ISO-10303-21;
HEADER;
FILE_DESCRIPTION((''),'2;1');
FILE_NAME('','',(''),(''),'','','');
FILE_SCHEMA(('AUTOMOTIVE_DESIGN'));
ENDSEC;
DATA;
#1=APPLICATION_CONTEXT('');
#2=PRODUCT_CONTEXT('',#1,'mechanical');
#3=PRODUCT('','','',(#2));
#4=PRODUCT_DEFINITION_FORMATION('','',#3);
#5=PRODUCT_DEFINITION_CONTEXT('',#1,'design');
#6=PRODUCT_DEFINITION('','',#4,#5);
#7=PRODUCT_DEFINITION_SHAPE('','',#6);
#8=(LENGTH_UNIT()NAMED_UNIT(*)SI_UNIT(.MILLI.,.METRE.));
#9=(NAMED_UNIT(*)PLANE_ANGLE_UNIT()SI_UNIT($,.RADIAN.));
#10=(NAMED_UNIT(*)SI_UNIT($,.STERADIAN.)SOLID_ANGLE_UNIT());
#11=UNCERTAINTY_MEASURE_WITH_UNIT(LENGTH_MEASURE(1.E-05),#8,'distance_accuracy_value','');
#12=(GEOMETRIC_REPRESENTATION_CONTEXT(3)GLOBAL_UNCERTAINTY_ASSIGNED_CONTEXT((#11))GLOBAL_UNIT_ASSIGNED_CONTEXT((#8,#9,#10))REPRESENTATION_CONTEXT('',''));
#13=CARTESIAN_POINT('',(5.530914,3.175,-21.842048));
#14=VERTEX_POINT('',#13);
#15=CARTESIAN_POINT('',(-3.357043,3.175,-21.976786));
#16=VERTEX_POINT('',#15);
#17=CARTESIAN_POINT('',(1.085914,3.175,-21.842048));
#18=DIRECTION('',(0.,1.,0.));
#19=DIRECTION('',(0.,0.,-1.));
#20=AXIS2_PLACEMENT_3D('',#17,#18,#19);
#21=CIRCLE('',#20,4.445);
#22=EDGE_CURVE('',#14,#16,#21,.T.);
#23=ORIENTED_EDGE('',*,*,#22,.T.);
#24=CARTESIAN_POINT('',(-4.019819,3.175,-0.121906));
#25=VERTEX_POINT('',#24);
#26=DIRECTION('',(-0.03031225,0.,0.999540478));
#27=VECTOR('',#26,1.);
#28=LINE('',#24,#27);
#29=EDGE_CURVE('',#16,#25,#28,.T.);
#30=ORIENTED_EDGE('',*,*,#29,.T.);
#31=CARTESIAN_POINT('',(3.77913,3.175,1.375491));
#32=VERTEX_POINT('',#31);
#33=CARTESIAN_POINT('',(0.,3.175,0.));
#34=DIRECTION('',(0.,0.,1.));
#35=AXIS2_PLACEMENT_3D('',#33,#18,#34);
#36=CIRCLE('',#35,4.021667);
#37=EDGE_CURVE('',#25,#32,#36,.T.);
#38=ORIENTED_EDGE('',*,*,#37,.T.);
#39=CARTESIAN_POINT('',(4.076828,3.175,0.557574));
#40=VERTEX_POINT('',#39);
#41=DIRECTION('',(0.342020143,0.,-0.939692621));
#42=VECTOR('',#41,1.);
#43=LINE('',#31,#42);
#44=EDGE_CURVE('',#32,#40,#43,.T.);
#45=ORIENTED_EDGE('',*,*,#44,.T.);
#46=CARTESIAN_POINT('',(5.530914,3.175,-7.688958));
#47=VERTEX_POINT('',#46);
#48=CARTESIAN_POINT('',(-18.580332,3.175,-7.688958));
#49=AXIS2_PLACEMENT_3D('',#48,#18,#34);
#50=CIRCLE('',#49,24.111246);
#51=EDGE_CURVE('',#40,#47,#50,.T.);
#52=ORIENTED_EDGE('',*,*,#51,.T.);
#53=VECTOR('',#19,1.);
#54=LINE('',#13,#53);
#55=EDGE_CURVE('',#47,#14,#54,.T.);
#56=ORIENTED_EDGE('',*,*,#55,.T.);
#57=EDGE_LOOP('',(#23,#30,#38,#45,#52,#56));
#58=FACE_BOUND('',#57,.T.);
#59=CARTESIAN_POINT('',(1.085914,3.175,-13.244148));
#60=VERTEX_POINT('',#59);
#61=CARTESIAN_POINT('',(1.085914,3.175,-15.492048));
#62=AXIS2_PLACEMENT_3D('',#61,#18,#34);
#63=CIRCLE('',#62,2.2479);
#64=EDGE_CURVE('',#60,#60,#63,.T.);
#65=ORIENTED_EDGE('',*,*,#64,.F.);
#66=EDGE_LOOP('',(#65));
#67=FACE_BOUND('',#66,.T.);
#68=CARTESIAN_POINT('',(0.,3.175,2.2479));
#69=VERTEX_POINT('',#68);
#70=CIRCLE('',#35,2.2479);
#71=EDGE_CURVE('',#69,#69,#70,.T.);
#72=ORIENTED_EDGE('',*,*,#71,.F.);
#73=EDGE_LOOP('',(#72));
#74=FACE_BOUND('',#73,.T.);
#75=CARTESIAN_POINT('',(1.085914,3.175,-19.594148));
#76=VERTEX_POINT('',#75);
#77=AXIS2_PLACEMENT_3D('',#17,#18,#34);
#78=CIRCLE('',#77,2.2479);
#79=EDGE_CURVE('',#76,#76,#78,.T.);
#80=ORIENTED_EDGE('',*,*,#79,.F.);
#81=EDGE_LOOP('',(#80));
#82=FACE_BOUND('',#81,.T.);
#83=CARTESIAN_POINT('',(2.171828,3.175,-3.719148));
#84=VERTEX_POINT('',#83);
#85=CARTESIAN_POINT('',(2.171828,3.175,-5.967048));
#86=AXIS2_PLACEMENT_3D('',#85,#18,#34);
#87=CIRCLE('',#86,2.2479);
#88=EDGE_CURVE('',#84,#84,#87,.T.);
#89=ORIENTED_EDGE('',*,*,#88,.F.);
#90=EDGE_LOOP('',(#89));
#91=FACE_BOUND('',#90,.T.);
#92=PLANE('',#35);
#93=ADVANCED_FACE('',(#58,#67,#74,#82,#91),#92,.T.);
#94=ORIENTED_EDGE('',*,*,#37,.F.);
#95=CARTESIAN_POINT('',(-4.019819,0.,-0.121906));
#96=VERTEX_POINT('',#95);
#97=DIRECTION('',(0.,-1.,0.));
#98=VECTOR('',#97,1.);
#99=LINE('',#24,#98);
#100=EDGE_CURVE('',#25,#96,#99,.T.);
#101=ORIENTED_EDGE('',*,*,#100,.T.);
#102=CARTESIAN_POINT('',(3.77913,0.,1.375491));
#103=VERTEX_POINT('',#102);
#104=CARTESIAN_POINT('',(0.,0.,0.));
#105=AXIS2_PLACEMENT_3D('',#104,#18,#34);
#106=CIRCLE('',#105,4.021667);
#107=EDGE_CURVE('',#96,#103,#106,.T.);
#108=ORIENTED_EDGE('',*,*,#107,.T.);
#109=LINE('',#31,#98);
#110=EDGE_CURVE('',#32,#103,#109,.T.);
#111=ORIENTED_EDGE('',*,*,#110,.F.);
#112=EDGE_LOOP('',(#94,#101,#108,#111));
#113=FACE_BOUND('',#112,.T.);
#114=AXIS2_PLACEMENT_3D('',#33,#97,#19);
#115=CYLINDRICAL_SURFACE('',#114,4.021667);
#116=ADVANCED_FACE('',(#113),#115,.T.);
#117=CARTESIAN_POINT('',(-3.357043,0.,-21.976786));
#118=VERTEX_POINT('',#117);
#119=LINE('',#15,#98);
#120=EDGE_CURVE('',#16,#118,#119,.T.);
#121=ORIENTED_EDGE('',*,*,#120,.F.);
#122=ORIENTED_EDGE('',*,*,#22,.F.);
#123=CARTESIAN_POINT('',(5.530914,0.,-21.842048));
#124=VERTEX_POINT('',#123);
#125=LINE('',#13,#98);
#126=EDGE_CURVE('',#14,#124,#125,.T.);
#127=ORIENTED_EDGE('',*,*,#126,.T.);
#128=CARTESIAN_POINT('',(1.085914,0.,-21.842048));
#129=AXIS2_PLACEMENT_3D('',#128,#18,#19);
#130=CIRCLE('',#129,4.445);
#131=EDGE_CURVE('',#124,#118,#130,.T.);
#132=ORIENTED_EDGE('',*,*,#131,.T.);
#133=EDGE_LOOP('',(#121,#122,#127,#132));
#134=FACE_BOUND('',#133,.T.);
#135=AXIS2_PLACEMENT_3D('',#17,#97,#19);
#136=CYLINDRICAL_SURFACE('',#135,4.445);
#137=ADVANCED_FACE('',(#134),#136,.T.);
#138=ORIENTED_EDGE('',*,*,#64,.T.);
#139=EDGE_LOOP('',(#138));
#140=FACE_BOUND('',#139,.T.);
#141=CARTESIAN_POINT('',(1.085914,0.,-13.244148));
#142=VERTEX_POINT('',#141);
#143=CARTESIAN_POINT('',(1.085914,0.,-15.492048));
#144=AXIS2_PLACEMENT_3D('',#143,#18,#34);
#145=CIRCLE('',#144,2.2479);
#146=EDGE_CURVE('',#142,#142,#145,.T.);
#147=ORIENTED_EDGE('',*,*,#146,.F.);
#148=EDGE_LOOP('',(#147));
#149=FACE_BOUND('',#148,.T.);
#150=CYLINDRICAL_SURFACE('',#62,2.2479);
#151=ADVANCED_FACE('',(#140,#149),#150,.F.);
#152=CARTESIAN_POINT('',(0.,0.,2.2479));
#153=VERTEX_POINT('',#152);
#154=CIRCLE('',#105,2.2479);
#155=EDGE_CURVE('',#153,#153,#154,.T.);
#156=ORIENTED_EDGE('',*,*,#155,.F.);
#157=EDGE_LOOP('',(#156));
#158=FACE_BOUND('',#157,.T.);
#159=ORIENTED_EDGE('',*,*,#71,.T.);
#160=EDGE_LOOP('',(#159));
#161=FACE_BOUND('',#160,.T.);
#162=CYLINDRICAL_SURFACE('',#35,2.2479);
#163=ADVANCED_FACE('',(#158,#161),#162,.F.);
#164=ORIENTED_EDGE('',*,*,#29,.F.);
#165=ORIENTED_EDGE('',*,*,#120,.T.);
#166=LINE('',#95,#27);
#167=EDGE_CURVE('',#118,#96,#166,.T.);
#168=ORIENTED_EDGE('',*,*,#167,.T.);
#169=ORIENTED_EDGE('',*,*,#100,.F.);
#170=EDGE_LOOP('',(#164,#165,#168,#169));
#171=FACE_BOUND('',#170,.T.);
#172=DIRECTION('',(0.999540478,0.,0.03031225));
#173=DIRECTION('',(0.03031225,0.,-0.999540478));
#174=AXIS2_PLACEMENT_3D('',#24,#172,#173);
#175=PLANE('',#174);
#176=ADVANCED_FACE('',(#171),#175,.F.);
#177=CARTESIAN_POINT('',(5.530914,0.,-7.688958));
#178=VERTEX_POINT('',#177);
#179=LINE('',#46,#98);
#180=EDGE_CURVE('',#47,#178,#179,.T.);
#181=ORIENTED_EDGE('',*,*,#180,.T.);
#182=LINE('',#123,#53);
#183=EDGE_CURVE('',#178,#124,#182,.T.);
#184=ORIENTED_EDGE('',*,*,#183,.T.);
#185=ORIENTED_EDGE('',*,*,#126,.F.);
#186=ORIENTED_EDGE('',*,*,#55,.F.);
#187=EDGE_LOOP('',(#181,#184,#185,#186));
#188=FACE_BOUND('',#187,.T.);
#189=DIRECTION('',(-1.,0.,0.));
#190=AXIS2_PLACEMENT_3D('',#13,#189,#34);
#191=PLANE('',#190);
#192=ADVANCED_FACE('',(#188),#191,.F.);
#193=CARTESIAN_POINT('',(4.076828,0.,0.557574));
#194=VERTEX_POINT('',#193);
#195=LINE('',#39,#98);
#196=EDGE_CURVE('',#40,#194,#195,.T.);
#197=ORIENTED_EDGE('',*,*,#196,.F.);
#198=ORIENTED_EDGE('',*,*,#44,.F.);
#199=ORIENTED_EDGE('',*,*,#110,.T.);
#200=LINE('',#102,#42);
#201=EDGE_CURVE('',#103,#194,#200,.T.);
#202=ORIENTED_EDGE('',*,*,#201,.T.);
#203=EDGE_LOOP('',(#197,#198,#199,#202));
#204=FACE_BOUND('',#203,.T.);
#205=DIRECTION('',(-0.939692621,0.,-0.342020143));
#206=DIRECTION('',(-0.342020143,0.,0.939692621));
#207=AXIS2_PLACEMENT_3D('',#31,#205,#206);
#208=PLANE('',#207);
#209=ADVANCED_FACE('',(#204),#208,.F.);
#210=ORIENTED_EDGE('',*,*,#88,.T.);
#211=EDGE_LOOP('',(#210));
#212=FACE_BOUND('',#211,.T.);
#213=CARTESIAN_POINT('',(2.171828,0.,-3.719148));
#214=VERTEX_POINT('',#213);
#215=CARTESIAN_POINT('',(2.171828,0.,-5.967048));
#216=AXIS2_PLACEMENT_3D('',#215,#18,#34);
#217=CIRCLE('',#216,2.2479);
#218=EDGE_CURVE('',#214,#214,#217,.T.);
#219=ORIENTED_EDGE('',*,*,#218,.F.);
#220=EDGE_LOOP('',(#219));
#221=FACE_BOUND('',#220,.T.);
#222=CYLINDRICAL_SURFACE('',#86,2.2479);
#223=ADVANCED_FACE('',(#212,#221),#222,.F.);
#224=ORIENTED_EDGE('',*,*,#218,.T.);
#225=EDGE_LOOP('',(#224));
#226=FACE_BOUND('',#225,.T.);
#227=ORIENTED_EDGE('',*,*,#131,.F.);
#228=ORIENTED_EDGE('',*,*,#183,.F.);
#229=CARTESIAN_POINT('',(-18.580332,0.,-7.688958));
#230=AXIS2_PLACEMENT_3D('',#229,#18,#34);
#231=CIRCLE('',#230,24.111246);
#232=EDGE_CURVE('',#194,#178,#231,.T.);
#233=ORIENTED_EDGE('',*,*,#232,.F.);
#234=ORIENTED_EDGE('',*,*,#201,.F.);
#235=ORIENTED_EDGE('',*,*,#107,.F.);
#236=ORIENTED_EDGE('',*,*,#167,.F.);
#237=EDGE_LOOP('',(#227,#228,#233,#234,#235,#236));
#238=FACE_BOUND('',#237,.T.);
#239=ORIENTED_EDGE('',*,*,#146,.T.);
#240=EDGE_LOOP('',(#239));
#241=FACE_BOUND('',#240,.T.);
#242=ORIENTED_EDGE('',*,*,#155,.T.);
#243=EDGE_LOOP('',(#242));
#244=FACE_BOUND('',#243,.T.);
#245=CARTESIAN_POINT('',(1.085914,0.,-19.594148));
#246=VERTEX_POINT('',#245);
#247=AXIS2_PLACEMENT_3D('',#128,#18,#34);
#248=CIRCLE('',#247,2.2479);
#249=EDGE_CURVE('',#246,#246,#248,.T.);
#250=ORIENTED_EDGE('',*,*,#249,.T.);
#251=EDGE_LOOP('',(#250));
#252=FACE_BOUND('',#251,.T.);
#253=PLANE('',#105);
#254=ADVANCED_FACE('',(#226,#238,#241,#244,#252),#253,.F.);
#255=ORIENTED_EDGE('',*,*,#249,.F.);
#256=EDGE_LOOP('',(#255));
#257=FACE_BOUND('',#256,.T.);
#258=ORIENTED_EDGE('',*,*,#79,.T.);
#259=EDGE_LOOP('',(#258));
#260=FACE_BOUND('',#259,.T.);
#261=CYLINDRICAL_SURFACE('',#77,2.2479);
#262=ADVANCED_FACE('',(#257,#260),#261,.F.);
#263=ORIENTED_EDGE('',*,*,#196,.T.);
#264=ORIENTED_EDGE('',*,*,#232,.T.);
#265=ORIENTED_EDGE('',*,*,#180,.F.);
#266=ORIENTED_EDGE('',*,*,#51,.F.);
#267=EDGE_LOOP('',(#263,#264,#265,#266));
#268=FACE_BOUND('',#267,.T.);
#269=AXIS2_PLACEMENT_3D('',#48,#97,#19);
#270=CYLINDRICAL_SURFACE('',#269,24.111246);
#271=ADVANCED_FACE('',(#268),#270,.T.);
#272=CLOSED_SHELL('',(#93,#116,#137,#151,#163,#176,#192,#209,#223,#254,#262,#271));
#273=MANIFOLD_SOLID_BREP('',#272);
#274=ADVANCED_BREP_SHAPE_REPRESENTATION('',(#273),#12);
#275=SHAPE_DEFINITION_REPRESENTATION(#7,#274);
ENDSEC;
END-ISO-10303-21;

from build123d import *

# Parameters (mm, degrees)
BOSS_EXTRUDE3_DEPTH       = 3.175
F_8_CLEARANCE_HOLE1_D     = 4.4958
F_8_CLEARANCE_HOLE1_DEPTH = 41.402
F_8_CLEARANCE_HOLE1_TIP   = 1.350674586
F_8_CLEARANCE_HOLE2_D     = 4.4958
F_8_CLEARANCE_HOLE2_DEPTH = 41.402
F_8_CLEARANCE_HOLE2_TIP   = 1.350674586


with BuildPart() as part:
    # Sketch7 → Boss-Extrude3 (new body)
    with BuildSketch(Plane(origin=(0, 0, 0), x_dir=(1, 0, 0), z_dir=(0, 1, 0))):
        with BuildLine():
            Line((5.530913955, 21.842048142), (5.530913955, 7.688957681))
            ThreePointArc((5.530913955, 7.688957681), (5.164609953, 3.502083783), (4.07682791, -0.55757407))
            Line((4.07682791, -0.55757407), (3.77913049, -1.37549101))
            ThreePointArc((3.77913049, -1.37549101), (-0.758308624, -3.949527922), (-4.019818623, 0.121905765))
            Line((-4.019818623, 0.121905765), (-3.35704347, 21.976786093))
            ThreePointArc((-3.35704347, 21.976786093), (1.153290671, 26.286537469), (5.530913955, 21.842048142))
        make_face()
    extrude(amount=BOSS_EXTRUDE3_DEPTH)

    # #8 Clearance Hole1
    with Locations(Plane(origin=(0, 3.175, 0), x_dir=(1, 0, 0), z_dir=(0, 1, 0))):
        with Locations((2.17182791, 5.967048142), (0, 0)):
            Hole(F_8_CLEARANCE_HOLE1_D / 2, depth=F_8_CLEARANCE_HOLE1_DEPTH)
            with Locations((0, 0, -(F_8_CLEARANCE_HOLE1_DEPTH + F_8_CLEARANCE_HOLE1_TIP / 2))):  # 118° drill point
                Cone(0, F_8_CLEARANCE_HOLE1_D / 2, F_8_CLEARANCE_HOLE1_TIP, mode=Mode.SUBTRACT)

    # #8 Clearance Hole2
    with Locations(Plane(origin=(0, 3.175, 0), x_dir=(1, 0, 0), z_dir=(0, 1, 0))):
        with Locations((1.085913955, 21.842048142), (1.085913955, 15.492048142)):
            Hole(F_8_CLEARANCE_HOLE2_D / 2, depth=F_8_CLEARANCE_HOLE2_DEPTH)
            with Locations((0, 0, -(F_8_CLEARANCE_HOLE2_DEPTH + F_8_CLEARANCE_HOLE2_TIP / 2))):  # 118° drill point
                Cone(0, F_8_CLEARANCE_HOLE2_D / 2, F_8_CLEARANCE_HOLE2_TIP, mode=Mode.SUBTRACT)


solid = part.part
